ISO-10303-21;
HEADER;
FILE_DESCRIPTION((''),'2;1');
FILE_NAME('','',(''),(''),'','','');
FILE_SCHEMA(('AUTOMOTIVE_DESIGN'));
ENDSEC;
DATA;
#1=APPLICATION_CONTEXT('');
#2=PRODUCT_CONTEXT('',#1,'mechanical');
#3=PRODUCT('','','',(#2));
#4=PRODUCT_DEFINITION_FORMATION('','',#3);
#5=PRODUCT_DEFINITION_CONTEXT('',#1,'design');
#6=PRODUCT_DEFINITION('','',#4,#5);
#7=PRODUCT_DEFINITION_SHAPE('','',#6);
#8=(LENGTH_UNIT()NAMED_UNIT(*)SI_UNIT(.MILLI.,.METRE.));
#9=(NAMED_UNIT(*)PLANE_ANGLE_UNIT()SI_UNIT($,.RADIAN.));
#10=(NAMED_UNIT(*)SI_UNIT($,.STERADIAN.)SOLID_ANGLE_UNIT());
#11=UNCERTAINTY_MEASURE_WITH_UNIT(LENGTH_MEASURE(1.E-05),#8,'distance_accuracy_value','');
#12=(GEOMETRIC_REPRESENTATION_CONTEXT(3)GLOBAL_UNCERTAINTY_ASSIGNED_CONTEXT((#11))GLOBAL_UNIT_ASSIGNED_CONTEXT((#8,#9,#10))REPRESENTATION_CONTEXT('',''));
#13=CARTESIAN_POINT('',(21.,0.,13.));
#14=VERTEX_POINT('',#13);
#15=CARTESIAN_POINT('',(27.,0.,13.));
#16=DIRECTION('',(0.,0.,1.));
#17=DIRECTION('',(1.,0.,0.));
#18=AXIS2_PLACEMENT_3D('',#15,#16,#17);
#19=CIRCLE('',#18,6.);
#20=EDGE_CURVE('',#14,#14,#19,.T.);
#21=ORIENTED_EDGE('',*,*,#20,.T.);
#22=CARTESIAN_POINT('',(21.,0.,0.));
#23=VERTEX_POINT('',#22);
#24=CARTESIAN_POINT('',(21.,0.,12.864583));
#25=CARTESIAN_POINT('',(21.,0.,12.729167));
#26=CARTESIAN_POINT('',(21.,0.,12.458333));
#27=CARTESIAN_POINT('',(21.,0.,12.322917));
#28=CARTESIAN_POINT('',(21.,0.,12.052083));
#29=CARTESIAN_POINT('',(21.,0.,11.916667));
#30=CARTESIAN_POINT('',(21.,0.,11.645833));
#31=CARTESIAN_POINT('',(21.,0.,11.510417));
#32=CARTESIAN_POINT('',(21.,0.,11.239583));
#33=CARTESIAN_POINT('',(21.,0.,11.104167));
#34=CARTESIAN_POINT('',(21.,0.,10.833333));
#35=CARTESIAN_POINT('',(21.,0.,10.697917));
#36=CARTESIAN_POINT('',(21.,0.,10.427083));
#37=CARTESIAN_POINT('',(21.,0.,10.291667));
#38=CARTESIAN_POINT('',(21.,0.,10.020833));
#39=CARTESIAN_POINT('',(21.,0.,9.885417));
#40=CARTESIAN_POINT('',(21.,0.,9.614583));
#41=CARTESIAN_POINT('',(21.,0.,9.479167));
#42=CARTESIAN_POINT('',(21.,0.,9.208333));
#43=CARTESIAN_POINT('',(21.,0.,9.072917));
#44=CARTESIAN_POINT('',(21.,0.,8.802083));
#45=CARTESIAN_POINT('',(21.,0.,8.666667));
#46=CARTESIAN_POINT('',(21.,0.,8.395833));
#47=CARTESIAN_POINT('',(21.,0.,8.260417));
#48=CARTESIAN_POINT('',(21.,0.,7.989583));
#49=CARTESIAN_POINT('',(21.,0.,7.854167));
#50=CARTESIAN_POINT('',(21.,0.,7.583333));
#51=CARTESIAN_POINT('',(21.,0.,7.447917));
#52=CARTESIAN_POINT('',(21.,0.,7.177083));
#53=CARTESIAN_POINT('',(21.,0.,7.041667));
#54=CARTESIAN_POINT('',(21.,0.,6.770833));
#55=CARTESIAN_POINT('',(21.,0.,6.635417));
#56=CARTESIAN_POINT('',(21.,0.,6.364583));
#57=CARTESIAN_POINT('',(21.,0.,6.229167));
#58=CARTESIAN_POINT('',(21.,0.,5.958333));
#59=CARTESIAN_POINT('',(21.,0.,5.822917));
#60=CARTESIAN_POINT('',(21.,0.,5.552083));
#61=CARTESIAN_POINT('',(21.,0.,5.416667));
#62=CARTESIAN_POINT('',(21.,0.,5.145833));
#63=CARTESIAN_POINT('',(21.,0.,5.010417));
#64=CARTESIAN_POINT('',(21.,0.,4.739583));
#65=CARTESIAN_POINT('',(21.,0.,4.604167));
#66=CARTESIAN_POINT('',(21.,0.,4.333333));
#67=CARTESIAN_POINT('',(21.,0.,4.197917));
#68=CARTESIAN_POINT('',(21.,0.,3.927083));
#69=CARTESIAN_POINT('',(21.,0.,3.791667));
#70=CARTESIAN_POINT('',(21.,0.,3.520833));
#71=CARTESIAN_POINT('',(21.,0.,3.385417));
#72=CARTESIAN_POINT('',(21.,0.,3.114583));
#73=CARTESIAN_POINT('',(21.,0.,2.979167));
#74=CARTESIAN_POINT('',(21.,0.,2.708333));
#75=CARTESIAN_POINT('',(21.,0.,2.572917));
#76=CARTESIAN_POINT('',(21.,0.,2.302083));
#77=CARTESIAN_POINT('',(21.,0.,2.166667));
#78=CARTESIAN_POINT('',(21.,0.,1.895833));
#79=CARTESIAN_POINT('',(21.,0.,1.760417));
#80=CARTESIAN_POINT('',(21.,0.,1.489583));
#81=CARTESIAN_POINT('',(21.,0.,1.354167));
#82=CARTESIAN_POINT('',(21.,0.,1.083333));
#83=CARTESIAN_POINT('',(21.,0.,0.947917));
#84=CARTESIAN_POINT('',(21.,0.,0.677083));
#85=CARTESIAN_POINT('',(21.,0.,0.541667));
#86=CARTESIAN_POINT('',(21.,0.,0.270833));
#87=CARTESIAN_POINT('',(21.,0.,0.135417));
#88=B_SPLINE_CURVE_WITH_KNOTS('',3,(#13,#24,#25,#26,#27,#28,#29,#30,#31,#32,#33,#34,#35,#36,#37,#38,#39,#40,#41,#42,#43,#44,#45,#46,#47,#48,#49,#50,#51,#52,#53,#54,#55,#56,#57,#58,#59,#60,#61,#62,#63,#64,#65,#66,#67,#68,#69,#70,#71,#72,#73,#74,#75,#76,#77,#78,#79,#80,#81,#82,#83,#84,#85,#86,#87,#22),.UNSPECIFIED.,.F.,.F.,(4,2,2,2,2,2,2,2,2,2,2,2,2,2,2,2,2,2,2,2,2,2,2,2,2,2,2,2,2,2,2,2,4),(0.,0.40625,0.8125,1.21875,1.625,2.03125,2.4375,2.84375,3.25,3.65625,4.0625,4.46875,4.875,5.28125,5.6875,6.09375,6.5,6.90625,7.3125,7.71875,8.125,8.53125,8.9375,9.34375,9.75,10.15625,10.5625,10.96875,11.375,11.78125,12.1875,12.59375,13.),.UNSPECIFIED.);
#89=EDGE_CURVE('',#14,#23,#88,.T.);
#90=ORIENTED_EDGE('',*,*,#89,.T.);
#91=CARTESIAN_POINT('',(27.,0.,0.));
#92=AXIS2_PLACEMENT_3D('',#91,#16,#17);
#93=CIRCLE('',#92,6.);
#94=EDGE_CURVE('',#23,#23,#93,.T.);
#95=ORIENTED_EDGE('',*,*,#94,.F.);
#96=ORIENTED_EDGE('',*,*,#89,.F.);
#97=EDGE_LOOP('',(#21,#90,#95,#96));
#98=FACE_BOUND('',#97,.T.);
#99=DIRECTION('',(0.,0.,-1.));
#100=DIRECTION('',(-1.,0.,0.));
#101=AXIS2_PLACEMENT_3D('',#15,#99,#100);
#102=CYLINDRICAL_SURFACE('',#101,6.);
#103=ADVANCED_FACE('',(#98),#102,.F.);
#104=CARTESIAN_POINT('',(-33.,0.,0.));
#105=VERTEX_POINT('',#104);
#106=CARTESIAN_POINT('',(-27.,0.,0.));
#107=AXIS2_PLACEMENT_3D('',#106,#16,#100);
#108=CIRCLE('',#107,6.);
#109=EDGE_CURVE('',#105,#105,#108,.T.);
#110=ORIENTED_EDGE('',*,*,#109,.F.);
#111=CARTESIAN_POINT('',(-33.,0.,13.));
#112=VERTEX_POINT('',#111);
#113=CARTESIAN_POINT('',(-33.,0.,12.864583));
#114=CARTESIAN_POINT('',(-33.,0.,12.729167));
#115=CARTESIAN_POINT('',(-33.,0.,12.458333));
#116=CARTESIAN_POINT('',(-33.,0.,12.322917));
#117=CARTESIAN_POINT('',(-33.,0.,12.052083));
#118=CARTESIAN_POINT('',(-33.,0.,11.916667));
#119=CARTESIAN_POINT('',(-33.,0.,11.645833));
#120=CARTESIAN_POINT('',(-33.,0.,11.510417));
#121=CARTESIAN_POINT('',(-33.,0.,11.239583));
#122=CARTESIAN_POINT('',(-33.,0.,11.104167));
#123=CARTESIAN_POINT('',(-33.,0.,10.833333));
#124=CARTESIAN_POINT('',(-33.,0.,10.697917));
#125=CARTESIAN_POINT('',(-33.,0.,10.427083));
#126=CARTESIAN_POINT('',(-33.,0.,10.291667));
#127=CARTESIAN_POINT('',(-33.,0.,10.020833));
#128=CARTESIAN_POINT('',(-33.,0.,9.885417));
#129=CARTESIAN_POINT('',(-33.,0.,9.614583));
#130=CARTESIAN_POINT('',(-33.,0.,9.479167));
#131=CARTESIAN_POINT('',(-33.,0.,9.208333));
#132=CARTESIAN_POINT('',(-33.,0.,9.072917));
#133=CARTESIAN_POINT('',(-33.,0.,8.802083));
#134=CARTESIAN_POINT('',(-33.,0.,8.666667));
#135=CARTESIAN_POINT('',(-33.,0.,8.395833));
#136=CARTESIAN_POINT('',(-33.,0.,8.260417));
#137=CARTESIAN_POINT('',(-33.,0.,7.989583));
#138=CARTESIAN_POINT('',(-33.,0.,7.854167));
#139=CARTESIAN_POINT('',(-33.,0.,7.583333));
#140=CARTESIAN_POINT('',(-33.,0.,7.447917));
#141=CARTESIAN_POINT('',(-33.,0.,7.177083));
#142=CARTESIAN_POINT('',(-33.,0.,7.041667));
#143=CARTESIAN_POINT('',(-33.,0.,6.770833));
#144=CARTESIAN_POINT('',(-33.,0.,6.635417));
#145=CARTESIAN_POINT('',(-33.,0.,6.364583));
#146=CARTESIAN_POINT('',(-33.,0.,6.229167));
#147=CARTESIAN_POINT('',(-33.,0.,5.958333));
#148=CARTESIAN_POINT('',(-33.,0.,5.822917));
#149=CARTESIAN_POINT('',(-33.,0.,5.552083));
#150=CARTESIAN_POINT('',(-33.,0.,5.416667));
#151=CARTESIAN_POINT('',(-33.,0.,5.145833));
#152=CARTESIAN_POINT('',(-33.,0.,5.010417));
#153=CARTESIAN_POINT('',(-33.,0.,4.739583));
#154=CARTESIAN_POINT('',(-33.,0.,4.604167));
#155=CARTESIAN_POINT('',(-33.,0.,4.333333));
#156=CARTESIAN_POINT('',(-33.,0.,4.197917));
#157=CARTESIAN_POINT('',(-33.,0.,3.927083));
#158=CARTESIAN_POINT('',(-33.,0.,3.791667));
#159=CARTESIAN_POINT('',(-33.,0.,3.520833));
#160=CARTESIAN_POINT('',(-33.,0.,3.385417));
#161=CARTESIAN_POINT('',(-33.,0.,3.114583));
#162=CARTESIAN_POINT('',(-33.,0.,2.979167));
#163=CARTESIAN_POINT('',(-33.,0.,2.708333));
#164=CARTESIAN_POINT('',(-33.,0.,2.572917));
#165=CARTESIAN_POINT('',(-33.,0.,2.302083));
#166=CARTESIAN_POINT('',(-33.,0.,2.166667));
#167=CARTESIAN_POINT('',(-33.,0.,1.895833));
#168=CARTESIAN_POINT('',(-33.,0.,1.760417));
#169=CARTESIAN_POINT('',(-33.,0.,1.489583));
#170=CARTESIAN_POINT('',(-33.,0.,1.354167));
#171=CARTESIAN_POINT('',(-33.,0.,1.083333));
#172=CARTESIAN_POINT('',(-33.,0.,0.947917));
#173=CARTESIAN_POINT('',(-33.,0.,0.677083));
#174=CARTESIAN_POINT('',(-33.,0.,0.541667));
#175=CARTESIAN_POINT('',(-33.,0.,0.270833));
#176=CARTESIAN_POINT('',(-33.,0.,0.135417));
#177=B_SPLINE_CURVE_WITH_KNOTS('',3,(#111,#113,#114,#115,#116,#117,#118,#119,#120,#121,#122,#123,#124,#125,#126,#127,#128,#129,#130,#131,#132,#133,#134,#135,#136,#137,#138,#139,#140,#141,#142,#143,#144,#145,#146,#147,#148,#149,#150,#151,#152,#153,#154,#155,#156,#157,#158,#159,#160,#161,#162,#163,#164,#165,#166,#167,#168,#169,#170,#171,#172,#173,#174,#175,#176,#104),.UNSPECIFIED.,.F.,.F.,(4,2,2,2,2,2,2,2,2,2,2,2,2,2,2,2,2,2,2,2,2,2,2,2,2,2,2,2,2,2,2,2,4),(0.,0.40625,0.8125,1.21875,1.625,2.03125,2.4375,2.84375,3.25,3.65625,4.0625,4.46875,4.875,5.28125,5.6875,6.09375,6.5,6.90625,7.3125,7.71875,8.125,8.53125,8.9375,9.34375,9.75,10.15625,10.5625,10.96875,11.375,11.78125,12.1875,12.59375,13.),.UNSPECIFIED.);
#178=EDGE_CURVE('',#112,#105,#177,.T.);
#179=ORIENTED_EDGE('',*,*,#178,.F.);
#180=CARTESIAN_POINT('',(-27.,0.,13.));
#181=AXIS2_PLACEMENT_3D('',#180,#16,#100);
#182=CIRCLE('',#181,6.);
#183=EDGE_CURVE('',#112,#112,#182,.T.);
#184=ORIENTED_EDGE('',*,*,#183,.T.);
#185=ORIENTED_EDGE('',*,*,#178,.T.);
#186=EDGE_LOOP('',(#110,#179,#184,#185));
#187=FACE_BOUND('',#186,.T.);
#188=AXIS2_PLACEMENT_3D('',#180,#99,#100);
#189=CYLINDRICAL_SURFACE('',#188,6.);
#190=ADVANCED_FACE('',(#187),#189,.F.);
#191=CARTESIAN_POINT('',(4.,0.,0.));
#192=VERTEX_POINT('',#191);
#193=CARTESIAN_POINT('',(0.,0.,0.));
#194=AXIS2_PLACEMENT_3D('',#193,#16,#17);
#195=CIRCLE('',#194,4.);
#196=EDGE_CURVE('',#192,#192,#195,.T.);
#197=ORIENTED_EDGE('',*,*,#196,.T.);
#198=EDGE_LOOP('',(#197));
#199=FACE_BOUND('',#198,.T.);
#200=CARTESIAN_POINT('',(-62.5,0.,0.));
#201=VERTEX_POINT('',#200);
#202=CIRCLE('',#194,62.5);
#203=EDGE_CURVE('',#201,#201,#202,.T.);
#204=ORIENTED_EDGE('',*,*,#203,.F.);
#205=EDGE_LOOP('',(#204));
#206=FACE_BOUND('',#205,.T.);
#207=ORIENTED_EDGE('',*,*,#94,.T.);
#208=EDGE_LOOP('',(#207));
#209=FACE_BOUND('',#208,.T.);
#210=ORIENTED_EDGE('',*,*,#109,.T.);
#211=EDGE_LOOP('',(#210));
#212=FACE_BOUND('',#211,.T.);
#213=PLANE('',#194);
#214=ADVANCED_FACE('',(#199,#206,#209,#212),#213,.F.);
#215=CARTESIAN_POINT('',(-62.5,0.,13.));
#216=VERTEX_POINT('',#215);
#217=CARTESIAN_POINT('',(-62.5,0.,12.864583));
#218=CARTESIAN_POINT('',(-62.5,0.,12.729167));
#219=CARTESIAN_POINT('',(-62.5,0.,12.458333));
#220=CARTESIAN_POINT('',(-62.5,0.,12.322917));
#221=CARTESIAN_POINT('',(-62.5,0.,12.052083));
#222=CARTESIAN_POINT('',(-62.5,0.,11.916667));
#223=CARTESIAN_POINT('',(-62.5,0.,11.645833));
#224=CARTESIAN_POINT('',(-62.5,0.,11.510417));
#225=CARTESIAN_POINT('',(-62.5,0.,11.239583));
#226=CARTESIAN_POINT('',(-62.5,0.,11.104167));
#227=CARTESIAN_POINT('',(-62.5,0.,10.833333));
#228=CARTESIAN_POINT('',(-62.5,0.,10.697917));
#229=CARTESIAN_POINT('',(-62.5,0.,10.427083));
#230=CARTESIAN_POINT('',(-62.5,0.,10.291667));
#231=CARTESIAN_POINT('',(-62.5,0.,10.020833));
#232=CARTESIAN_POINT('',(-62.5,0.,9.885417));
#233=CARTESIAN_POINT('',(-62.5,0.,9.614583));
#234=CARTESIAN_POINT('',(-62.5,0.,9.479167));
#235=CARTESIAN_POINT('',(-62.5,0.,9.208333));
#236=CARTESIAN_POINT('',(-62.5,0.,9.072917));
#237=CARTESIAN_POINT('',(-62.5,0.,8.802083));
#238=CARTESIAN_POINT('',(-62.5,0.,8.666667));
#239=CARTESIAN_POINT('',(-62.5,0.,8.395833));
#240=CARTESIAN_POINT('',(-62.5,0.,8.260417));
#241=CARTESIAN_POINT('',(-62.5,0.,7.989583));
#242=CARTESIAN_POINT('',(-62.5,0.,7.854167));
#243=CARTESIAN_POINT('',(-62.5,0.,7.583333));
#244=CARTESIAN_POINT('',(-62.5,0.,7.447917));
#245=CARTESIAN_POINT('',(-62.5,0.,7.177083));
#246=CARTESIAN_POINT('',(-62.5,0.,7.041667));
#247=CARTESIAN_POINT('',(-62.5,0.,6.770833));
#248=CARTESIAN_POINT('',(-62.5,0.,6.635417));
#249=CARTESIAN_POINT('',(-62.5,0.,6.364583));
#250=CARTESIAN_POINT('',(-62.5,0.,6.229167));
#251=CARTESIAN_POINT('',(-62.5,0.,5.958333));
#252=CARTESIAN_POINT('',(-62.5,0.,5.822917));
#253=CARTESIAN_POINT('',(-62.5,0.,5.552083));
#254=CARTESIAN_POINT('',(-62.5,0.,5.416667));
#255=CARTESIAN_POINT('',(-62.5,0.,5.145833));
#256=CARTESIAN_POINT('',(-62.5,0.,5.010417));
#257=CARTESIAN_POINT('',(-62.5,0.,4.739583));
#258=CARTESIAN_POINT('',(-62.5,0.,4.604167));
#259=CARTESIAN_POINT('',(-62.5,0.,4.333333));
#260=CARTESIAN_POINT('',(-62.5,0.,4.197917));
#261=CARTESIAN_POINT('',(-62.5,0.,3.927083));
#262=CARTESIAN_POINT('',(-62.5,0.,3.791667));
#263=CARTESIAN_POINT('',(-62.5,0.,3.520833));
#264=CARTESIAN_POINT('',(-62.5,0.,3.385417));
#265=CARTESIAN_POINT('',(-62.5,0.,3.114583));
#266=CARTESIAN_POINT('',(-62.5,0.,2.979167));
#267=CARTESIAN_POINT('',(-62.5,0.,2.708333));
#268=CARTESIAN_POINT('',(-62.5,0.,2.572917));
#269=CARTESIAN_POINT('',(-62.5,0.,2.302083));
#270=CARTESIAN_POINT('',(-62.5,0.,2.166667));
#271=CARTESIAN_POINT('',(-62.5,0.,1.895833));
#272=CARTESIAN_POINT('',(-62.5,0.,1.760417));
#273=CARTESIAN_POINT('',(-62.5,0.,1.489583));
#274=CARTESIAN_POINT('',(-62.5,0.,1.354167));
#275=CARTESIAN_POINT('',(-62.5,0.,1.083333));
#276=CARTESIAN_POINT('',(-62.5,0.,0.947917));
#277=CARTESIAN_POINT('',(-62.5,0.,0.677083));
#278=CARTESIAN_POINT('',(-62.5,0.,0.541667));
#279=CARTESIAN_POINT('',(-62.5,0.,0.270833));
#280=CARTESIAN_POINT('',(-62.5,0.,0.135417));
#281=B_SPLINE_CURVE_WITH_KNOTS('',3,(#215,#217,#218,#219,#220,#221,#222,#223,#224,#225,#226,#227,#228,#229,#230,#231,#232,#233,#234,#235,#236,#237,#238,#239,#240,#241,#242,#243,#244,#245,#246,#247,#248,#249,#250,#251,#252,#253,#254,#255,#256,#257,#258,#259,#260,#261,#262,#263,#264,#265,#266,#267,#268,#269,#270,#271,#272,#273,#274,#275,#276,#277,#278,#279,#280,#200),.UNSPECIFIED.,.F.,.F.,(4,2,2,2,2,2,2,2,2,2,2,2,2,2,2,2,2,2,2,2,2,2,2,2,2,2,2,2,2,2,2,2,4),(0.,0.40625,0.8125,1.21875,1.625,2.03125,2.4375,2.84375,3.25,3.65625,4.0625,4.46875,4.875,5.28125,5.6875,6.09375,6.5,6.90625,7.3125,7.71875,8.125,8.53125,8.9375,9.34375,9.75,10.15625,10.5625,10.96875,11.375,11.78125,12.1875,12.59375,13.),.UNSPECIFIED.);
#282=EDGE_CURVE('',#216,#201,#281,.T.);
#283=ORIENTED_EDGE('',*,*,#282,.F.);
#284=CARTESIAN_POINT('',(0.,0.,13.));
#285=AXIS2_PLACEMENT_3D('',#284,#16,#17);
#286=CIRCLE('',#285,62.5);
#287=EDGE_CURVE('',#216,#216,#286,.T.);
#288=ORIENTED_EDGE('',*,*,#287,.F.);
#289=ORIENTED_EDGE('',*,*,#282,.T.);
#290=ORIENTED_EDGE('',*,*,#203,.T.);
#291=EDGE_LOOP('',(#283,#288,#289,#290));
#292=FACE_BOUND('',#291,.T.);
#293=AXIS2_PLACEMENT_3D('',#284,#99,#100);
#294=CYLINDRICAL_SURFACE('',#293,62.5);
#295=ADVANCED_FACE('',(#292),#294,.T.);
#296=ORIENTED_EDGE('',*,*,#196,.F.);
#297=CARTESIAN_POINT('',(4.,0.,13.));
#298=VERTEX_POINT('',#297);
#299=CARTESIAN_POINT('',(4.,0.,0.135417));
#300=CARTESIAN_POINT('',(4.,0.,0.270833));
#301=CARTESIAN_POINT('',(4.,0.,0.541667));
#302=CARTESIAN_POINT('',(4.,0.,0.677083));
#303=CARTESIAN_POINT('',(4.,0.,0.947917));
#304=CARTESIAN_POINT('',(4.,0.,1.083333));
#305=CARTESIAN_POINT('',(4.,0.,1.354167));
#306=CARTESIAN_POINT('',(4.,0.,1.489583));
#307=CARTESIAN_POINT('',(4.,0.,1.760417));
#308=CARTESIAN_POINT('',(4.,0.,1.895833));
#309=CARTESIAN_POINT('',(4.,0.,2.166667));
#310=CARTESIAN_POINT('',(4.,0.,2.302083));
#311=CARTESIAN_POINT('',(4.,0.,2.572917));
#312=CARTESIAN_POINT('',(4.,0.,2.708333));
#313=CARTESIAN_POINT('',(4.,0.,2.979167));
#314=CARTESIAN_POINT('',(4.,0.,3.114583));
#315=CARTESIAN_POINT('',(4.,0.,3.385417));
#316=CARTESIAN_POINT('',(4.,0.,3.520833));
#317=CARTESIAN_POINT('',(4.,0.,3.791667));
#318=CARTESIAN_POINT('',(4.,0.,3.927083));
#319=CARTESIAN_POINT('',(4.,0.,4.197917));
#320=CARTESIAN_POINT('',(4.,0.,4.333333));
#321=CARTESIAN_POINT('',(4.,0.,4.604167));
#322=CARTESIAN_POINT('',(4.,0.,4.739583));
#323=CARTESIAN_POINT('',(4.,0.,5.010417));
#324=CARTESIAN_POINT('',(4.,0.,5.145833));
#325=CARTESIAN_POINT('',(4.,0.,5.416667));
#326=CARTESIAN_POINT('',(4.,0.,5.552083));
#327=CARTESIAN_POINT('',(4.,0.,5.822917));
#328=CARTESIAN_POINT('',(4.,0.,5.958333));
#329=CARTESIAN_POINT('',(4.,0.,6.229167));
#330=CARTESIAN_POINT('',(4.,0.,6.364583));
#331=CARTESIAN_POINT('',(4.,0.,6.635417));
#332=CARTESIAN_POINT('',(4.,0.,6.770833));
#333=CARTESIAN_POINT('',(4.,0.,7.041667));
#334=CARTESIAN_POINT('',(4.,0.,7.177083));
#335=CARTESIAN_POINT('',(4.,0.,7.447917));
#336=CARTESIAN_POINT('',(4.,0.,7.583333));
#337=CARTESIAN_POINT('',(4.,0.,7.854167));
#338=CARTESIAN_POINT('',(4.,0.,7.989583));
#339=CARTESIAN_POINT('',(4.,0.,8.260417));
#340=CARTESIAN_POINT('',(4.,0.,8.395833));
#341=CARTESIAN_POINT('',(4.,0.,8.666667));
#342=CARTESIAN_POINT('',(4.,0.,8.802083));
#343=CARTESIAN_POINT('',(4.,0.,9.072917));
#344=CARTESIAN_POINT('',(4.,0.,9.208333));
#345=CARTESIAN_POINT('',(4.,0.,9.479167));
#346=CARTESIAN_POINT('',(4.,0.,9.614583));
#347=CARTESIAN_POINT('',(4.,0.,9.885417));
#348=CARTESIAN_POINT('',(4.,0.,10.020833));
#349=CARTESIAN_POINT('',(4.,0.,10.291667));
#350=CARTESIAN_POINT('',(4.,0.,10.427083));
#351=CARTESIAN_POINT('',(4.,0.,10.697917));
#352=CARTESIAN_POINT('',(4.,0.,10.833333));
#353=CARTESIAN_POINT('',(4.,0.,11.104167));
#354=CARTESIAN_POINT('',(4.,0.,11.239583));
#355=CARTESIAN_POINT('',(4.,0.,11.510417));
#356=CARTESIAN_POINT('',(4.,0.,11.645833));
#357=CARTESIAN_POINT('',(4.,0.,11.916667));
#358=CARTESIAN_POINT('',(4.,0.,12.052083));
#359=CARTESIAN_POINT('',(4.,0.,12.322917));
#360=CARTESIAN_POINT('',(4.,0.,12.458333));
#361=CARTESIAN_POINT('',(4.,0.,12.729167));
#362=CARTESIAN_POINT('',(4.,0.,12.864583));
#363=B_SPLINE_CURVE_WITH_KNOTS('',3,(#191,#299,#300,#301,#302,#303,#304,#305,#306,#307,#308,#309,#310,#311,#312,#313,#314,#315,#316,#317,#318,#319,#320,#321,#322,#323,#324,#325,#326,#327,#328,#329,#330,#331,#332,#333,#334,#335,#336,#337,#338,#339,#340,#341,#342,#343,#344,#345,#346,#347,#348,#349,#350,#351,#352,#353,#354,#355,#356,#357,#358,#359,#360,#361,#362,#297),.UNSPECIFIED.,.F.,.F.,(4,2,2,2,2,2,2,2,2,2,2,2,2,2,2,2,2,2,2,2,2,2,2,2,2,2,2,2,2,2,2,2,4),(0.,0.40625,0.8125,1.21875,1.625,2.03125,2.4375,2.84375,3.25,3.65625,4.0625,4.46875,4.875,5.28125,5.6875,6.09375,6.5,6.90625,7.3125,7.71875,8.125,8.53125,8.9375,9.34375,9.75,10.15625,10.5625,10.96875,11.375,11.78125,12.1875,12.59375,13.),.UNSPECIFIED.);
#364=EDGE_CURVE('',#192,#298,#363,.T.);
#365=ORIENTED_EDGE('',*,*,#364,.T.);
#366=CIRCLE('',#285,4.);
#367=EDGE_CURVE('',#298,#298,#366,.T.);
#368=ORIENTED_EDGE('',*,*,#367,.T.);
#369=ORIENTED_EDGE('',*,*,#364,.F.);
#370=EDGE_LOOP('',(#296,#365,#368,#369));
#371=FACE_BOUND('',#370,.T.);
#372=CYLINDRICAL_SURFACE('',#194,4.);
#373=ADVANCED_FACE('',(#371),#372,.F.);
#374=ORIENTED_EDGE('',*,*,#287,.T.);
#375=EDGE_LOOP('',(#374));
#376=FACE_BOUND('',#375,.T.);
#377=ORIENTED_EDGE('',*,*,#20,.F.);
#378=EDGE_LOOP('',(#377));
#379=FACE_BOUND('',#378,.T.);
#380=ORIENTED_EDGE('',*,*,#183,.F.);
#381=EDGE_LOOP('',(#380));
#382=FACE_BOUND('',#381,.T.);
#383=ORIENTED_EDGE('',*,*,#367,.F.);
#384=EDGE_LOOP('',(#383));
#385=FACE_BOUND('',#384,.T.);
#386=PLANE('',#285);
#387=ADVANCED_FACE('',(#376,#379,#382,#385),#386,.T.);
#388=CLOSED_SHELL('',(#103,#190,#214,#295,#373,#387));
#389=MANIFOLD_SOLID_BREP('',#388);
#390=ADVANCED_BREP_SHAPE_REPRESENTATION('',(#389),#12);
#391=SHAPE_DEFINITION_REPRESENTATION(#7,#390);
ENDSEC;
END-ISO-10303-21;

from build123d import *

# Parameters (mm, degrees)
SKETCH1_R           = 62.5
SKETCH1_R_2         = 6
BOSS_EXTRUDE1_DEPTH = 13
SKETCH2_R           = 4
CUT_EXTRUDE1_DEPTH  = 13


with BuildPart() as part:
    # Sketch1 → Boss-Extrude1 (new body)
    with BuildSketch(Plane.XY):
        with Locations(Location((0, 0, 0), (0, 0, 180))):
            Circle(SKETCH1_R)
        with Locations(Location((27, 0, 0), (0, 0, 180))):
            Circle(SKETCH1_R_2, mode=Mode.SUBTRACT)
        with Locations(Location((-27, 0, 0), (0, 0, 180))):
            Circle(SKETCH1_R_2, mode=Mode.SUBTRACT)
    extrude(amount=BOSS_EXTRUDE1_DEPTH)

    # Sketch2 → Cut-Extrude1 (cut)
    with BuildSketch(Plane.XY.offset(13)):
        Circle(SKETCH2_R)
    extrude(amount=-CUT_EXTRUDE1_DEPTH, mode=Mode.SUBTRACT)


solid = part.part
